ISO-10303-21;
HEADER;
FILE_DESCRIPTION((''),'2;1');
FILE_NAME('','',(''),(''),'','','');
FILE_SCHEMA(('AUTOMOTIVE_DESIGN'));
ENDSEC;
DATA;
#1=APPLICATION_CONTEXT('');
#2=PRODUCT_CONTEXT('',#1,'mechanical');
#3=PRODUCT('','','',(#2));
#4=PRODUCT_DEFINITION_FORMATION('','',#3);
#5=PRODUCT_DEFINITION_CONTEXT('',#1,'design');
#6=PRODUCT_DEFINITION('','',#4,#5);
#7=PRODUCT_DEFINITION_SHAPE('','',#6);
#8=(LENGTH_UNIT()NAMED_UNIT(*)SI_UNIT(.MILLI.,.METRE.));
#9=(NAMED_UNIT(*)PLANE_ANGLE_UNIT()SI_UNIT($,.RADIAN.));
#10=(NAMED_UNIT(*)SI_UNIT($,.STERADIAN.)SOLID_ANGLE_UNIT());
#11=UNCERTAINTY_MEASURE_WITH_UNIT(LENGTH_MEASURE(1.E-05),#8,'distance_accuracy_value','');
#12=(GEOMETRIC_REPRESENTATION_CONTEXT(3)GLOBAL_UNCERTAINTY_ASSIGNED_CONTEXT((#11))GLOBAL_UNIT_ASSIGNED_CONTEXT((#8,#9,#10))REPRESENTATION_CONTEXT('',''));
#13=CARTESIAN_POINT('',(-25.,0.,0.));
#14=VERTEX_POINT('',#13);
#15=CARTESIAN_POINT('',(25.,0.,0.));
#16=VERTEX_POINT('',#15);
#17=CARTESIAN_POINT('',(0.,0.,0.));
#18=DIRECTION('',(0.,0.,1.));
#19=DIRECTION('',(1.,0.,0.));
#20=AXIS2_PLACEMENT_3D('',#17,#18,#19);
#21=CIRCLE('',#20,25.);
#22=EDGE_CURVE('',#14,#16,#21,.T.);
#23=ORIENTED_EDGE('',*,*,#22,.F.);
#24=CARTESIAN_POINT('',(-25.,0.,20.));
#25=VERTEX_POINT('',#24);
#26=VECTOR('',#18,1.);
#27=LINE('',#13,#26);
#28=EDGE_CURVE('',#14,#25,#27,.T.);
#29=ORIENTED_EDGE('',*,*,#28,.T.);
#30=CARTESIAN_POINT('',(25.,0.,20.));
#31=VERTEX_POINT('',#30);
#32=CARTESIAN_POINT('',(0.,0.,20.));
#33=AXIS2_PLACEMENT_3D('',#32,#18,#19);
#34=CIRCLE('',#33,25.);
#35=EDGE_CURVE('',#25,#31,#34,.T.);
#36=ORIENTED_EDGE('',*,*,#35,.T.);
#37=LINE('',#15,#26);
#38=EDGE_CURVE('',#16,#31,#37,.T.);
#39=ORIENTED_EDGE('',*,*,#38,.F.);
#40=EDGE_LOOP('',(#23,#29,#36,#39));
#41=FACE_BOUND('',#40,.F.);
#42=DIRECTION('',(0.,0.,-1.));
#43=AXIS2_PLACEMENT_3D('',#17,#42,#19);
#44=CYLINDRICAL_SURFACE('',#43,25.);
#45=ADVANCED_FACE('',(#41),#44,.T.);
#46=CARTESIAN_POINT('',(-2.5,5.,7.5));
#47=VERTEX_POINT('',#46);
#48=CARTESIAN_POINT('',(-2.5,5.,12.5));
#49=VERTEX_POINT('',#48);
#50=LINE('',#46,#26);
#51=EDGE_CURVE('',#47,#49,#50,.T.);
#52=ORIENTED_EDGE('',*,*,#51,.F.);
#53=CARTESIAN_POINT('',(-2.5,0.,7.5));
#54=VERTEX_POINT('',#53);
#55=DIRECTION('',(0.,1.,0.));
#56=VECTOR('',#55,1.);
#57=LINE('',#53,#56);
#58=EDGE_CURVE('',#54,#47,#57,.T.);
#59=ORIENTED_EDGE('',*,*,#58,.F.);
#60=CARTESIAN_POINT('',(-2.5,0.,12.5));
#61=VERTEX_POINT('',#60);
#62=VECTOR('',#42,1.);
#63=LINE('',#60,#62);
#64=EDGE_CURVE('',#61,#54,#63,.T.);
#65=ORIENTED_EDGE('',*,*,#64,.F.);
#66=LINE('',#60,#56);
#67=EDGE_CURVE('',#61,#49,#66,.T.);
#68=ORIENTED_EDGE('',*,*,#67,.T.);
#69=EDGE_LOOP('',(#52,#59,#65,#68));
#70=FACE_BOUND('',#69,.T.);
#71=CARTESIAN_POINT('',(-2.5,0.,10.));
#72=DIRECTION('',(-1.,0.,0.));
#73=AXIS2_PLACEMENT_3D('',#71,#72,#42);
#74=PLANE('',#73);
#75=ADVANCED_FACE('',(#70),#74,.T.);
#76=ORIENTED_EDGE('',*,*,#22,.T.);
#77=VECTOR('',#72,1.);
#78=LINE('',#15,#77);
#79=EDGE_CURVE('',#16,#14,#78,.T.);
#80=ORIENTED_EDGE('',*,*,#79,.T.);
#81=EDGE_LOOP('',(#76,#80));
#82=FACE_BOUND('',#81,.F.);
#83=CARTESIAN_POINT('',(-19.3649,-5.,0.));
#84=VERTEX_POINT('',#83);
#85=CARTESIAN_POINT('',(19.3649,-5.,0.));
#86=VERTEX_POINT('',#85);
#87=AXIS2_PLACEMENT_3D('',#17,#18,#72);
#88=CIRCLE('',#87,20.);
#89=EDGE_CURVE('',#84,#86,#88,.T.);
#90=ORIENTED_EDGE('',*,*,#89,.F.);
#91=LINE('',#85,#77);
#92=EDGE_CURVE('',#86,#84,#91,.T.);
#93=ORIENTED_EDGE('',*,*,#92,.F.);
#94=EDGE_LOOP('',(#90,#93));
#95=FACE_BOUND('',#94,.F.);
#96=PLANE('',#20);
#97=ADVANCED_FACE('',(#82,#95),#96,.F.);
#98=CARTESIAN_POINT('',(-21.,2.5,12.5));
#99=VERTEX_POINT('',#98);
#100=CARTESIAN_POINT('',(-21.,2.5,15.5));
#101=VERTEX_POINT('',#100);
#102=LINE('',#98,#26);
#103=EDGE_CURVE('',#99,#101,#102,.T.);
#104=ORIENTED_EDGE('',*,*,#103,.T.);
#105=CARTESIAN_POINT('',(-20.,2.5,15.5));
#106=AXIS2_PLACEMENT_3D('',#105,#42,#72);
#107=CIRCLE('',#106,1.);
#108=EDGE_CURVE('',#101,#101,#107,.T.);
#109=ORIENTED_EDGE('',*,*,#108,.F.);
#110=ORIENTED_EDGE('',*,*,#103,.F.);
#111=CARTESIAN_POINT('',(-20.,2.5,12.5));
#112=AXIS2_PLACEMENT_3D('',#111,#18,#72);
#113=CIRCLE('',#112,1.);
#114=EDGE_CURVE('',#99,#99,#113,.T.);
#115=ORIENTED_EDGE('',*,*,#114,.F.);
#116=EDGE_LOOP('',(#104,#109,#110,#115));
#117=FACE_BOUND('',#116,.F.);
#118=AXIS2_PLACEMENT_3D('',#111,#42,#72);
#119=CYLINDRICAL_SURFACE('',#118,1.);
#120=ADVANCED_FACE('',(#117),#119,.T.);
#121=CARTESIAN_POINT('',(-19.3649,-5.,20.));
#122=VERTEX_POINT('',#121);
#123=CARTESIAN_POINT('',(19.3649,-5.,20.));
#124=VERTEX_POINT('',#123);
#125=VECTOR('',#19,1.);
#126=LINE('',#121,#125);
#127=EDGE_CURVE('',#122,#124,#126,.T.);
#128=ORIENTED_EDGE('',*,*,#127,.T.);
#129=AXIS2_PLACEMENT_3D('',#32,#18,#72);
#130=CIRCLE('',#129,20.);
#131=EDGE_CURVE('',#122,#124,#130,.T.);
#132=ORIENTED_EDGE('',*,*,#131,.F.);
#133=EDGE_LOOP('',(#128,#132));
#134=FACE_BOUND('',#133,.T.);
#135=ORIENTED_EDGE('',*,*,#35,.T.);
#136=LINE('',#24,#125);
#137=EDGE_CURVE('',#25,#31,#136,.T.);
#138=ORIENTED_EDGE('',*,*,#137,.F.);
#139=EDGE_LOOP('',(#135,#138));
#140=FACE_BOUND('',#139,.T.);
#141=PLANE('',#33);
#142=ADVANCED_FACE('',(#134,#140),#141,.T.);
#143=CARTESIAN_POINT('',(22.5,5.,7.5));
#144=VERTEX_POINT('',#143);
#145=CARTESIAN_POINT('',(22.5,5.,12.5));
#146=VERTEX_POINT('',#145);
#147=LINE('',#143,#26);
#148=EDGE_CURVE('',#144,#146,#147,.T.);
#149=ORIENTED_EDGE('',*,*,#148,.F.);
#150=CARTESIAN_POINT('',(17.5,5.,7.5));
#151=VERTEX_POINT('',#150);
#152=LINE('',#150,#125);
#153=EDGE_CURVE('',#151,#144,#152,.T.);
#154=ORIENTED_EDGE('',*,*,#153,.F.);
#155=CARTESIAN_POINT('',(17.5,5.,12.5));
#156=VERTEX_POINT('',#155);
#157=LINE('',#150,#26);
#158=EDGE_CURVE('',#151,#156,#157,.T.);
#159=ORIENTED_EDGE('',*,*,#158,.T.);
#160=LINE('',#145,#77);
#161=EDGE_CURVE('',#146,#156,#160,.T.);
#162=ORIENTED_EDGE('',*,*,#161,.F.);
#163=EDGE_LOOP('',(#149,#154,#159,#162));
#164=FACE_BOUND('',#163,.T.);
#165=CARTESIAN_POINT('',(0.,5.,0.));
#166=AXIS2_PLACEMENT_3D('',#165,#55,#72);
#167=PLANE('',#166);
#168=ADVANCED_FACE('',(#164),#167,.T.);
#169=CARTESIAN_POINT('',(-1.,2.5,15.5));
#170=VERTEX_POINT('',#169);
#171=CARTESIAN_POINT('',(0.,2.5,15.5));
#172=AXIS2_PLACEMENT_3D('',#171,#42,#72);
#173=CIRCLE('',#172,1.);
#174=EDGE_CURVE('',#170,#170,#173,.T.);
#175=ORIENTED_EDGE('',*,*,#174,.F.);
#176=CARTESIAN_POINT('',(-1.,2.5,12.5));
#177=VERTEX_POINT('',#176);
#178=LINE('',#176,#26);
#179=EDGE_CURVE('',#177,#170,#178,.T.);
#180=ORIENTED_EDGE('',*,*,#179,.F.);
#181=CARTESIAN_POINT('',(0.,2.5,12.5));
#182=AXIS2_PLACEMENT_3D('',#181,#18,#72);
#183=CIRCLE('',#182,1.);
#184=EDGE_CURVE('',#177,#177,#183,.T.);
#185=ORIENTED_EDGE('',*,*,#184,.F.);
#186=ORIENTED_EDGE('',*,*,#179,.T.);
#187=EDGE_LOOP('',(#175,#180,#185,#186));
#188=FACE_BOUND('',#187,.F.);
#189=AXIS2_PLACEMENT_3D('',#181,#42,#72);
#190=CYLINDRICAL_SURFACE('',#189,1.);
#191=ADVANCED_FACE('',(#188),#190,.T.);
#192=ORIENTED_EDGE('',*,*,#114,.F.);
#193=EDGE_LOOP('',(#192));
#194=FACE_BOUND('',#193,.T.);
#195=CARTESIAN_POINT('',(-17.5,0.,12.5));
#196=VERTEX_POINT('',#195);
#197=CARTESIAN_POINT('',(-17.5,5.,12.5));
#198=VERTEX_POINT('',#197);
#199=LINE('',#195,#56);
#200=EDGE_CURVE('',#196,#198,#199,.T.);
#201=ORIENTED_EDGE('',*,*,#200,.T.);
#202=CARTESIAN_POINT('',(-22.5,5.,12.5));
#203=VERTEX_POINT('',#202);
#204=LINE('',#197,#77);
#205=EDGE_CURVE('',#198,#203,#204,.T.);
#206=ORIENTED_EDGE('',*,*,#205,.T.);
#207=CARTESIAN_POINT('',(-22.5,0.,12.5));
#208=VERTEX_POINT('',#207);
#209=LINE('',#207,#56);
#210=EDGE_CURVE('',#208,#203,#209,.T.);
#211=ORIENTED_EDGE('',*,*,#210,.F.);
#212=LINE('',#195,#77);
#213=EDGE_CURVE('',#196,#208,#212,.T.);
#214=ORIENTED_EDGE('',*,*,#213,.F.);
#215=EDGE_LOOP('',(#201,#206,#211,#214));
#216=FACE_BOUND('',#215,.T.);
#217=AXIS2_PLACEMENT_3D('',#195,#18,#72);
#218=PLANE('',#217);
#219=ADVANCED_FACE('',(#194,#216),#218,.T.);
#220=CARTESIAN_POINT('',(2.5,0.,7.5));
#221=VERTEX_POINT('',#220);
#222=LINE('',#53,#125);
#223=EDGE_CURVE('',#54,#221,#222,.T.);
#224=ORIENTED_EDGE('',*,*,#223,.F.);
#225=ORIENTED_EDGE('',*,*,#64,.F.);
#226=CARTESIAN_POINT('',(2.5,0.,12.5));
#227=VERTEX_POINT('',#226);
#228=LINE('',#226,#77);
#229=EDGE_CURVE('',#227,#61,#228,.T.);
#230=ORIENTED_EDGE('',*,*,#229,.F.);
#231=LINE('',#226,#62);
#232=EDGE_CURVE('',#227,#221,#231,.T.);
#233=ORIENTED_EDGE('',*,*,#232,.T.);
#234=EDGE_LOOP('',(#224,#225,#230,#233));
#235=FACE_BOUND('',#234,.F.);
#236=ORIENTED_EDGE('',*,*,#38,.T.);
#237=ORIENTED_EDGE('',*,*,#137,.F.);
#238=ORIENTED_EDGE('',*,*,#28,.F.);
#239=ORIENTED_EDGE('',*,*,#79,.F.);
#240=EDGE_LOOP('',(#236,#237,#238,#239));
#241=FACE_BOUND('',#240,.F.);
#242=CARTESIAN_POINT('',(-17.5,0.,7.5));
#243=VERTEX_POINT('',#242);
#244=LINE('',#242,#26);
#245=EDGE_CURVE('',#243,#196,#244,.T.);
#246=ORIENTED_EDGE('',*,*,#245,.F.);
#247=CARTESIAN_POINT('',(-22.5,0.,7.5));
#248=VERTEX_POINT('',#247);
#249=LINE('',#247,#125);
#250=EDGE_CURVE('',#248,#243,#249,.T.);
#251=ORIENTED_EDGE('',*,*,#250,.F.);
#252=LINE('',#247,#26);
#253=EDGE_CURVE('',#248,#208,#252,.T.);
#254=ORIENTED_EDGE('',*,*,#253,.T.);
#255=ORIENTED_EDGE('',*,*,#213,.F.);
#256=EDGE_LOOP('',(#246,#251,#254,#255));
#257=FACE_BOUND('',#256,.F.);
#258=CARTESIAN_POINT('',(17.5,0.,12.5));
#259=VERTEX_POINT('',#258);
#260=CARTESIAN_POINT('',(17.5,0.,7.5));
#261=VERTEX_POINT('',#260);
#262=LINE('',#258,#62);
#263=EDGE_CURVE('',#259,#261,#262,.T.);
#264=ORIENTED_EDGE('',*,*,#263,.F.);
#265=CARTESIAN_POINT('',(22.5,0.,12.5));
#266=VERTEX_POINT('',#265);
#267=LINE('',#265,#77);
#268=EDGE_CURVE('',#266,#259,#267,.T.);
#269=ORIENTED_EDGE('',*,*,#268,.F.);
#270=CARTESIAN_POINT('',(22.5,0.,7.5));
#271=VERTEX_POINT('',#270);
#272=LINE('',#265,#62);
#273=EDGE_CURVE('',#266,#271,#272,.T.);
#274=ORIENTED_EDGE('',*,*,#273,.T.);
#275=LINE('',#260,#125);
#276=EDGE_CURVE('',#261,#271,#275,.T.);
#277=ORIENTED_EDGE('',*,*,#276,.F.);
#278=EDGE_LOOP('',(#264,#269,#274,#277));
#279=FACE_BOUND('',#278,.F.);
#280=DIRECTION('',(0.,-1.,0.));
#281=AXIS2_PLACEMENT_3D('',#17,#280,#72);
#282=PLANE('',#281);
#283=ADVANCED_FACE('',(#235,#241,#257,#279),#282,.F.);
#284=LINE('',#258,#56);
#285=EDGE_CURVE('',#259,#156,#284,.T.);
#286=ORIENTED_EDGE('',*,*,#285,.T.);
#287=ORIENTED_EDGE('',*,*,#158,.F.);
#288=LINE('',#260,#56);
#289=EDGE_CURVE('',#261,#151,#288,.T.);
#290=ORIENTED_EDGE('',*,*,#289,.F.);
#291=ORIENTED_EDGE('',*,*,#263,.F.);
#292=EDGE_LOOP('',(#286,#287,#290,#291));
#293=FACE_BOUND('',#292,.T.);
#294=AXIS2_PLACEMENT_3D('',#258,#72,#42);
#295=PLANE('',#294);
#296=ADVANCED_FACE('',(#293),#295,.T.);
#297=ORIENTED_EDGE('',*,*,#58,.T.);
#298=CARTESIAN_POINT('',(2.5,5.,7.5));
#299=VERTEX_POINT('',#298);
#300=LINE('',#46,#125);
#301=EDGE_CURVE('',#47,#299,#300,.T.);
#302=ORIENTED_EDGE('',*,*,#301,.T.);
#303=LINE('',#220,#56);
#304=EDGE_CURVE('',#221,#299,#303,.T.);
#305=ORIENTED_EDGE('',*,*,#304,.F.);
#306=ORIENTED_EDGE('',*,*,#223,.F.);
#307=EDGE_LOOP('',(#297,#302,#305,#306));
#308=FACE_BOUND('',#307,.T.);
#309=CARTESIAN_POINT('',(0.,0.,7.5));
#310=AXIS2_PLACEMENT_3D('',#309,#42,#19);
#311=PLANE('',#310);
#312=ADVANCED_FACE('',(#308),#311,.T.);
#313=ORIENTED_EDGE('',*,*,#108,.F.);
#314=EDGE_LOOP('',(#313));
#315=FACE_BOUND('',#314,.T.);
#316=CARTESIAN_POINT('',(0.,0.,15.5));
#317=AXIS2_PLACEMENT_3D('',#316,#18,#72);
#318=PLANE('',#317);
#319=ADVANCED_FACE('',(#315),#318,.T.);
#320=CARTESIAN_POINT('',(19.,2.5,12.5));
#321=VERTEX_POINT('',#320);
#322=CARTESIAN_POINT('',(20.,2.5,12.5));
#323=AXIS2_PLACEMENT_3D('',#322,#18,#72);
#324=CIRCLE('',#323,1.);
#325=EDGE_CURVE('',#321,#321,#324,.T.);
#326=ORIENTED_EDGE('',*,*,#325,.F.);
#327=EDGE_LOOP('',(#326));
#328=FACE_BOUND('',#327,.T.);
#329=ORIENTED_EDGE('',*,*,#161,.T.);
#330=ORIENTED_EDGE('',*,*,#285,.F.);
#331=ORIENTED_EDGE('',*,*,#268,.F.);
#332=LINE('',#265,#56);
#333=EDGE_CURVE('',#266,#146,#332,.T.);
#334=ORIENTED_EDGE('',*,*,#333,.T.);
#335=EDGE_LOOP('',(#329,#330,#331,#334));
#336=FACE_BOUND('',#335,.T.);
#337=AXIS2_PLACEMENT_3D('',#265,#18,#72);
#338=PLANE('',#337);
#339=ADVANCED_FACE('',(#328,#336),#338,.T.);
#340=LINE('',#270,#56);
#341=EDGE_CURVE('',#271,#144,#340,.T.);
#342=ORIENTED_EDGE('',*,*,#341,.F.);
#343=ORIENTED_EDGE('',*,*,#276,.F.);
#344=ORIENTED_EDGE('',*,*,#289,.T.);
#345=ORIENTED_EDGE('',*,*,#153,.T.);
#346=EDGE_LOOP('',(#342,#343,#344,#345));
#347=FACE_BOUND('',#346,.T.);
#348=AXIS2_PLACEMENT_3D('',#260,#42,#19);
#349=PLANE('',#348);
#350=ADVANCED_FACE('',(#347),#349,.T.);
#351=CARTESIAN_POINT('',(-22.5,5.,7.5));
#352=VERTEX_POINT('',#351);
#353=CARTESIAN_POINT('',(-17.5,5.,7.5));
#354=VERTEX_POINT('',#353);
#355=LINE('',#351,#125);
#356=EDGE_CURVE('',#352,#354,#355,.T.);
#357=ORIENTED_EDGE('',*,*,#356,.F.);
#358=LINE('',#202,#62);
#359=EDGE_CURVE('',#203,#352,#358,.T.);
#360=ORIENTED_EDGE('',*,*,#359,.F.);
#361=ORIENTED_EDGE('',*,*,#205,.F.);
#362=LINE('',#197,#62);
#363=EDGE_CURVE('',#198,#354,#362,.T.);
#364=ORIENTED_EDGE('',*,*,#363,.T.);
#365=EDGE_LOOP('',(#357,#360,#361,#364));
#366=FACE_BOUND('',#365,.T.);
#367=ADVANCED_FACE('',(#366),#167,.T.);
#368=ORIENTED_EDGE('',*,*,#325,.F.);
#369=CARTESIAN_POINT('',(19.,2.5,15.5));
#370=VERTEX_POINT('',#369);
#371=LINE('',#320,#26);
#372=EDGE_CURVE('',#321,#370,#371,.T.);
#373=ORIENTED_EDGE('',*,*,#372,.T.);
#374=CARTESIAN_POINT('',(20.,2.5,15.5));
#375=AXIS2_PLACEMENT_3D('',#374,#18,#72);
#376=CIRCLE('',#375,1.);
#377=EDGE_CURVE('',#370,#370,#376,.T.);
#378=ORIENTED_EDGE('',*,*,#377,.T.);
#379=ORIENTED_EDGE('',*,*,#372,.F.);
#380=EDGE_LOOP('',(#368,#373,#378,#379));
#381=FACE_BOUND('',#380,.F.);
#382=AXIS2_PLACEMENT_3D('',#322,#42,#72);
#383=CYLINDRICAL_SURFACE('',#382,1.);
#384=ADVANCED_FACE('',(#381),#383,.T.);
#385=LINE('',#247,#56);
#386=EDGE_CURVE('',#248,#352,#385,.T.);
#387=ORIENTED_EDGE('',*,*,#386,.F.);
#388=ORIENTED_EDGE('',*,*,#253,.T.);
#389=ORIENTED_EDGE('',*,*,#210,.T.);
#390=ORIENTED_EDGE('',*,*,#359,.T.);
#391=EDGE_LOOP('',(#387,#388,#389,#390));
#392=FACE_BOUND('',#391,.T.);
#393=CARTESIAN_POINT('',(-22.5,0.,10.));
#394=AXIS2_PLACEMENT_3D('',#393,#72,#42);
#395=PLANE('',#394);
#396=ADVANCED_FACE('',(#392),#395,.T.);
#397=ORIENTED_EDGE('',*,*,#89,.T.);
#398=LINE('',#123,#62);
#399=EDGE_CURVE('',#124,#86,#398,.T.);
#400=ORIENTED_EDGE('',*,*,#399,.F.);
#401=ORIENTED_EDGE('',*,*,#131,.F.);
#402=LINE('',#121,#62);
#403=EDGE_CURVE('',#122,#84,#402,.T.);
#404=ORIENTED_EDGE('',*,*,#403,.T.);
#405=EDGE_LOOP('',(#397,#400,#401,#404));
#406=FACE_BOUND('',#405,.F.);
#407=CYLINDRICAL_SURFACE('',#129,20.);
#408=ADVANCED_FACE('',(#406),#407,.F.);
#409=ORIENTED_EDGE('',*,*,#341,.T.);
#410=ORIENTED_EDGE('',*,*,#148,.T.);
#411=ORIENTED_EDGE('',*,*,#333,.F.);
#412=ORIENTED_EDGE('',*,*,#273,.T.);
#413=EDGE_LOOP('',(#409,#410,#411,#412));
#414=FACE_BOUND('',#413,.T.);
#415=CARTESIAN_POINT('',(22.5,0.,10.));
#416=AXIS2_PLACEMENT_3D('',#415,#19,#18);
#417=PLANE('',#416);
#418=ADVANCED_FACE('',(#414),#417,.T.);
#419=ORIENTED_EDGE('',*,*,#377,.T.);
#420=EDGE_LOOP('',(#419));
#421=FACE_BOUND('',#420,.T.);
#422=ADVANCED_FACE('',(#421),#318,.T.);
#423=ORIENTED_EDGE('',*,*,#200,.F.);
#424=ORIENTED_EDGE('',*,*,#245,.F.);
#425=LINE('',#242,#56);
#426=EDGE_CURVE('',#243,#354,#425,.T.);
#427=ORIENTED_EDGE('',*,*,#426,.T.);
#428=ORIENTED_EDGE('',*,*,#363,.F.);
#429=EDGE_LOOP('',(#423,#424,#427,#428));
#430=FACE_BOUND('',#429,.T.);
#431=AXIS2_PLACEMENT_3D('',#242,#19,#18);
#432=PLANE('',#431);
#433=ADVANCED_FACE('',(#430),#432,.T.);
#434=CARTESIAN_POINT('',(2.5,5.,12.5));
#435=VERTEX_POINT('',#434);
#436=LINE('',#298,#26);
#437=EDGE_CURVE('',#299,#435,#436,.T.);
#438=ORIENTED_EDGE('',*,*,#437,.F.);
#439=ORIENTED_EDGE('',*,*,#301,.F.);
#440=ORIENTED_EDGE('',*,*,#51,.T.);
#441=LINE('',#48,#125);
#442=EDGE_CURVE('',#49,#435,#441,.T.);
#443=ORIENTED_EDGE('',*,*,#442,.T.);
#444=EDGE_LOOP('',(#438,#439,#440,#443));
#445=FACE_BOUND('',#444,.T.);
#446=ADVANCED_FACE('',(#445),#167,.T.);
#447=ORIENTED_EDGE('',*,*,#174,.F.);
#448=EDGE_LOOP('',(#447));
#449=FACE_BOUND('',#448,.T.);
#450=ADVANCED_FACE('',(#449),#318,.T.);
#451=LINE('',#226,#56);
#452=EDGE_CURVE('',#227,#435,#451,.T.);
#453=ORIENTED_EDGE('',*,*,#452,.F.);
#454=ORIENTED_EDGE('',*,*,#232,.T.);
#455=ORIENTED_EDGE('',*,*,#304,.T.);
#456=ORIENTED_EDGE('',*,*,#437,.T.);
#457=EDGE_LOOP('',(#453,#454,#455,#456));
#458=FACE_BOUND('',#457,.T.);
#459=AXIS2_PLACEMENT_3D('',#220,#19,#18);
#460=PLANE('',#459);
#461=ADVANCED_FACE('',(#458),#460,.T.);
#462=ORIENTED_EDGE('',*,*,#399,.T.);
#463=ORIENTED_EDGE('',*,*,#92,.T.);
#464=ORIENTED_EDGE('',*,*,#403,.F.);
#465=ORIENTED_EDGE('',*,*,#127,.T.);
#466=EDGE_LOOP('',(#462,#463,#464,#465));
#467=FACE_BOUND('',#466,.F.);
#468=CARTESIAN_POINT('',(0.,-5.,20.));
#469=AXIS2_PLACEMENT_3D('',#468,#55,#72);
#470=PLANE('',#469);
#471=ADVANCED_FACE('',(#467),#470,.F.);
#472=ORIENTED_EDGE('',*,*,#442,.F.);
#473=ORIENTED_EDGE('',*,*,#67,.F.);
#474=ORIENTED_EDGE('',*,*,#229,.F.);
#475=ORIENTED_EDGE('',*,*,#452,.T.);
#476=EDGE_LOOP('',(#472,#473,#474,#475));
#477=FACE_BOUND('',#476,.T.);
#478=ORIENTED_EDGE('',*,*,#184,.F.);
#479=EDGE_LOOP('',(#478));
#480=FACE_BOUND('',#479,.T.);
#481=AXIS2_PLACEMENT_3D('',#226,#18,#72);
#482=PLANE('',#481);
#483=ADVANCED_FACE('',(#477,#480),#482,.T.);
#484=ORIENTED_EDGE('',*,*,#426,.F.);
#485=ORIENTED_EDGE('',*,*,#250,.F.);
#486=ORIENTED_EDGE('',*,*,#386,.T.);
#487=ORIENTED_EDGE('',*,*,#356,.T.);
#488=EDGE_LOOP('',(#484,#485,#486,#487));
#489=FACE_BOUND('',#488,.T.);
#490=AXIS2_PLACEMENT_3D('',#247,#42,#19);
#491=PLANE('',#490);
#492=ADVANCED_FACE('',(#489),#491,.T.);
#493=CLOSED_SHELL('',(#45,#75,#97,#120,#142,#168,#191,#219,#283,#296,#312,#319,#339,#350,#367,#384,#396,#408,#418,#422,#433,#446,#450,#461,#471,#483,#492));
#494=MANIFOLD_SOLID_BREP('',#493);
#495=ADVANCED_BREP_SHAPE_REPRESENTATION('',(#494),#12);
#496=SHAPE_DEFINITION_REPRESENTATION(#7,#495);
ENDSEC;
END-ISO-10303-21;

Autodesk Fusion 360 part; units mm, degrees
sketch "Sketch1" plane through (0, 0, 0) normal (0, 0, 1) x (1, 0, 0)
  circle A0 centre (0, 0) radius 25
  line L0 (0, 0) -> (-25, 0)
  line L1 (0, 0) -> (25, 0)
  dimension "d1" = 50
extrude "Extrude1" add sketch "Sketch1" along normal blind 20 contours A0 L0 L1 picked at (16.5736, -1.242)
sketch "Sketch2" plane through (0, 0, 0) normal (0, 1, 0) x (-1, 0, 0)
  line L0 (-25, 0) -> (25, 0)
  line L1 (25, 0) -> (25, 20)
  line L2 (25, 20) -> (-25, 20)
  line L3 (-25, 20) -> (-25, 0)
  line L4 (0, 0) -> (0, 20)
  line L5 (-25, 10) -> (25, 10)
  line L6 (0, 10) -> (-10, 10)
  line L7 (-10, 10) -> (-20, 10)
  line L8 (0, 10) -> (10, 10)
  line L9 (10, 10) -> (20, 10)
  line L10 (-17.5, 7.5) -> (-22.5, 7.5)
  line L11 (-22.5, 7.5) -> (-22.5, 12.5)
  line L12 (-22.5, 12.5) -> (-17.5, 12.5)
  line L13 (-17.5, 12.5) -> (-17.5, 7.5)
  line L14 (-17.5, 7.5) -> (-22.5, 12.5) construction
  line L15 (-22.5, 7.5) -> (-17.5, 12.5) construction
  line L16 (17.5, 12.5) -> (22.5, 12.5)
  line L17 (22.5, 12.5) -> (22.5, 7.5)
  line L18 (22.5, 7.5) -> (17.5, 7.5)
  line L19 (17.5, 7.5) -> (17.5, 12.5)
  line L20 (17.5, 12.5) -> (22.5, 7.5) construction
  line L21 (22.5, 12.5) -> (17.5, 7.5) construction
  line L22 (2.5, 7.5) -> (-2.5, 7.5)
  line L23 (-2.5, 7.5) -> (-2.5, 12.5)
  line L24 (-2.5, 12.5) -> (2.5, 12.5)
  line L25 (2.5, 12.5) -> (2.5, 7.5)
  line L26 (2.5, 7.5) -> (-2.5, 12.5) construction
  line L27 (-2.5, 7.5) -> (2.5, 12.5) construction
  point P0 (-20, 10)
  point P1 (20, 10)
  point P2 (0, 10)
  dimension "d4" = 10
  dimension "d5" = 10
  dimension "d6" = 10
  dimension "d7" = 10
  dimension "d8" = 5
  dimension "d9" = 5
  dimension "d10" = 5
  dimension "d11" = 5
  dimension "d12" = 5
  dimension "d13" = 5
extrude "Extrude2" add sketch "Sketch2" along normal blind 5 contours L4 L5 L6 L22 L23 | L4 L5 L8 L22 L25 | L5 L7 L11 L12 L13 | L5 L7 L10 L11 L13 | L4 L5 L6 L23 L24 | L4 L5 L8 L24 L25 | L5 L9 L17 L18 L19 | L5 L9 L16 L17 L19
sketch "Sketch3" plane through (0, 0, 20) normal (0, 0, 1) x (-1, 0, 0)
  arc A0 (25, 0) -> (-25, 0) centre (0, 0) ccw
  line L0 (-25, 0) -> (25, 0)
  circle A1 centre (0, 0) radius 20
  line L1 (0, 0) -> (0, 5)
  line L2 (0, 5) -> (19.3649, 5)
  line L3 (0, 5) -> (-19.3649, 5)
  dimension "d16" = 40
  dimension "d17" = 5
extrude "Extrude3" cut sketch "Sketch3" against normal blind 20 contours A1 L2 L3
sketch "Sketch4" plane through (0, 0, 12.5) normal (0, 0, 1) x (-1, 0, 0)
  line L0 (-17.5, 0) -> (-22.5, 0)
  line L1 (-22.5, 0) -> (-22.5, -5)
  line L2 (-22.5, -5) -> (-17.5, -5)
  line L3 (-17.5, -5) -> (-17.5, 0)
  circle A0 centre (-20, -2.5) radius 1
  dimension "d20" = 2
extrude "Extrude4" add sketch "Sketch4" along normal blind 3 contours A0
sketch "Sketch5" plane through (0, 0, 12.5) normal (0, 0, 1) x (-1, 0, 0)
  line L0 (2.5, 0) -> (-2.5, 0)
  line L1 (-2.5, 0) -> (-2.5, -5)
  line L2 (-2.5, -5) -> (2.5, -5)
  line L3 (2.5, -5) -> (2.5, 0)
  line L4 (0, -5) -> (0, 0)
  circle A0 centre (0, -2.5) radius 1
  dimension "d23" = 2
extrude "Extrude5" add sketch "Sketch5" along normal blind 3 contours L4 A0 | L4 A0
sketch "Sketch6" plane through (0, 0, 12.5) normal (0, 0, 1) x (-1, 0, 0)
  line L0 (22.5, 0) -> (17.5, 0)
  line L1 (17.5, 0) -> (17.5, -5)
  line L2 (17.5, -5) -> (22.5, -5)
  line L3 (22.5, -5) -> (22.5, 0)
  line L4 (20, -5) -> (20, 0)
  circle A0 centre (20, -2.5) radius 1
  dimension "d26" = 2
extrude "Extrude6" add sketch "Sketch6" along normal blind 3 contours L4 A0 | L4 A0
